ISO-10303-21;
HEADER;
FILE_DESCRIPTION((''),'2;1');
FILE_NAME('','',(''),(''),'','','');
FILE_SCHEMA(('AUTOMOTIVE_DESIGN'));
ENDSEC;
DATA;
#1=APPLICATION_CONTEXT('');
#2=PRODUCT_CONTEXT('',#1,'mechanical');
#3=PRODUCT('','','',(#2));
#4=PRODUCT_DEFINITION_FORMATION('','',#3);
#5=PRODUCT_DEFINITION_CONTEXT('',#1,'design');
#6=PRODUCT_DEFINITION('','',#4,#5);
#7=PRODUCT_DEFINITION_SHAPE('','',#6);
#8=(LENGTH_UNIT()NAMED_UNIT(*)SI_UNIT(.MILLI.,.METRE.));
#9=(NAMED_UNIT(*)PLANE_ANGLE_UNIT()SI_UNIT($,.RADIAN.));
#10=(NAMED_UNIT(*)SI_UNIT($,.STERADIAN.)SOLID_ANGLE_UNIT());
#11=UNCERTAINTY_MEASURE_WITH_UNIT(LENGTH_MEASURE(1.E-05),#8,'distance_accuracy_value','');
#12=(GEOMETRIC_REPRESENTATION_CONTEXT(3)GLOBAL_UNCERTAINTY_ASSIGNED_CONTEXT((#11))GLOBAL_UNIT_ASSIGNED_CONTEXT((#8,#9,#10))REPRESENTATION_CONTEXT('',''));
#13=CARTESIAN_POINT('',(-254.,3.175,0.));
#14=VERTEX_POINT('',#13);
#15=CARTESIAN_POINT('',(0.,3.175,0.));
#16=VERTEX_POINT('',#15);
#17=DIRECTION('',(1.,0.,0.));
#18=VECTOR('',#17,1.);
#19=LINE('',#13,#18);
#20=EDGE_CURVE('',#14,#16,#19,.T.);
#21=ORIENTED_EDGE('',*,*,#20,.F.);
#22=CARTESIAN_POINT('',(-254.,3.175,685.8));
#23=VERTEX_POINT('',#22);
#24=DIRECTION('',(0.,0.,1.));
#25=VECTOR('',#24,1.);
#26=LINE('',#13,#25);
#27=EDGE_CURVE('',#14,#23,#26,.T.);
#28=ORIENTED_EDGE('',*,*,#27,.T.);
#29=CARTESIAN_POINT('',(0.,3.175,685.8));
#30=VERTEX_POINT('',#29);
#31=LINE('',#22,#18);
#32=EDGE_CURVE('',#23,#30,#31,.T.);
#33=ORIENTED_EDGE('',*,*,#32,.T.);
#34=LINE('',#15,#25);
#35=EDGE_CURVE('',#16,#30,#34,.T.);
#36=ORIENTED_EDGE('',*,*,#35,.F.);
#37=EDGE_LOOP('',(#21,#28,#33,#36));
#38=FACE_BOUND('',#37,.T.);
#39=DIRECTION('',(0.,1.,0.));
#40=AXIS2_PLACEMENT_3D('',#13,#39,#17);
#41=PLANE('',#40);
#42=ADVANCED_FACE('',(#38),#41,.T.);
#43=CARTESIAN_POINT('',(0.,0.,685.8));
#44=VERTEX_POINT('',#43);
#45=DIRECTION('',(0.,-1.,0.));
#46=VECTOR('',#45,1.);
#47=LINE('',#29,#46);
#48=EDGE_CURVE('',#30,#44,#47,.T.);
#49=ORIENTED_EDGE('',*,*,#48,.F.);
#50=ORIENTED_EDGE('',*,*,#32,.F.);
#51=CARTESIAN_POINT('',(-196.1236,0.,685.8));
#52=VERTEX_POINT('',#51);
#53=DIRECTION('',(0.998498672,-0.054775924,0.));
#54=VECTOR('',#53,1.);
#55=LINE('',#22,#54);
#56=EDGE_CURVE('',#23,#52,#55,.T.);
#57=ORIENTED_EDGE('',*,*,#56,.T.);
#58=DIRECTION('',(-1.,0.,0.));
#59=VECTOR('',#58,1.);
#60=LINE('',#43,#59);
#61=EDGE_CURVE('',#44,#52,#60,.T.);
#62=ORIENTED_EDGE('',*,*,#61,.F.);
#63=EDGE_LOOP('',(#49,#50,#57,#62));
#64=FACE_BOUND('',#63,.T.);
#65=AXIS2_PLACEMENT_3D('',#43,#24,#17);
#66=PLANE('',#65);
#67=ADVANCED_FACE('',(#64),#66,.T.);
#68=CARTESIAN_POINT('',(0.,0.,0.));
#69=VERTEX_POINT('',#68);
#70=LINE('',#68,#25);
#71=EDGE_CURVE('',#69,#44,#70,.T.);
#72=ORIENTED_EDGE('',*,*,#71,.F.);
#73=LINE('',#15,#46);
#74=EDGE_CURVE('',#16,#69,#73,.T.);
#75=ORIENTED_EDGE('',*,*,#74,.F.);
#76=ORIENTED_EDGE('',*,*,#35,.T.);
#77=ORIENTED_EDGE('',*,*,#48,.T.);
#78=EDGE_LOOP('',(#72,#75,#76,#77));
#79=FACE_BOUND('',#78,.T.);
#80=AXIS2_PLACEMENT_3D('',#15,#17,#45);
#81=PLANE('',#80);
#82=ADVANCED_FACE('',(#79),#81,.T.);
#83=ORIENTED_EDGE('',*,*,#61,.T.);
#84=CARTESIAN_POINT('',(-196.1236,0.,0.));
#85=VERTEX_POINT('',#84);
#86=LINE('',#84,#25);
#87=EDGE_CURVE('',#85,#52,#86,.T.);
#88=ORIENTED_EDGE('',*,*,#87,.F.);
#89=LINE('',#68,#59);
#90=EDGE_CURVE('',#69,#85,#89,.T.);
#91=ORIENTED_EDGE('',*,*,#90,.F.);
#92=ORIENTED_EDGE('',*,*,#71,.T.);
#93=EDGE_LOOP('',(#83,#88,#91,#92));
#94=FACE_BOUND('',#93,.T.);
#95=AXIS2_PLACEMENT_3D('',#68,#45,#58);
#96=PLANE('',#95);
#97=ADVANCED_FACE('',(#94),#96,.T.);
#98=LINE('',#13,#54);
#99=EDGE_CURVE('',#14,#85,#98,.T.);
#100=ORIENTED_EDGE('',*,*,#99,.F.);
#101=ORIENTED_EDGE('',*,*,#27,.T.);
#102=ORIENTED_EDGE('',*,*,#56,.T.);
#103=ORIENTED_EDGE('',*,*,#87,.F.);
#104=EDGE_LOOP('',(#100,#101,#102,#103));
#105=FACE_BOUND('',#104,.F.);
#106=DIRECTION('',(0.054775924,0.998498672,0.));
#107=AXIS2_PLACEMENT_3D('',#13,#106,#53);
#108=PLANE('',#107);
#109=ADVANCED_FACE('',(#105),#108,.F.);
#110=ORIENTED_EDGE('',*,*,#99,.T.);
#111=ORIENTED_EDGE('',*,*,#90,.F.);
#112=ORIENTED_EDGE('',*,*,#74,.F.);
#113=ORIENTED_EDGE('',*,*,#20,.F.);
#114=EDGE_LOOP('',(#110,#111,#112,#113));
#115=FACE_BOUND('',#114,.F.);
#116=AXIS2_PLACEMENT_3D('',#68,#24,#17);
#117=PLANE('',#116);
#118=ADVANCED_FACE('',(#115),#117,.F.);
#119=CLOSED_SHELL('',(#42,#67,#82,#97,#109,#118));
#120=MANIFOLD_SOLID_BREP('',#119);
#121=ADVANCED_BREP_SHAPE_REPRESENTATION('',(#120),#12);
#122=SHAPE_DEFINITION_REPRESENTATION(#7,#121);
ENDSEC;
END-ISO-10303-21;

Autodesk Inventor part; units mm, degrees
ref_plane "YZ Plane" through (0, 0, 0) normal (1, 0, 0) x (0, 1, 0)
ref_plane "XZ Plane" through (0, 0, 0) normal (0, 1, 0) x (-1, 0, 0)
ref_plane "XY Plane" through (0, 0, 0) normal (0, 0, 1) x (1, 0, 0)
sketch "Sketch1" plane through (0, 0, 0) normal (0, 0, 1) x (1, 0, 0)
  line L0 (0, 0) -> (-196.1236, 0)
  line L1 (-254, 3.175) -> (0, 3.175)
  line L2 (0, 3.175) -> (0, 0)
  line L3 (-254, 3.175) -> (-196.1236, 0)
  dimension "d1" = 254
  dimension "d2" = 3.175
  dimension "d3" = 3.14
extrude "Extrusion1" add sketch "Sketch1" along normal blind 685.8
properties part number "polycarb apendage bottom"
